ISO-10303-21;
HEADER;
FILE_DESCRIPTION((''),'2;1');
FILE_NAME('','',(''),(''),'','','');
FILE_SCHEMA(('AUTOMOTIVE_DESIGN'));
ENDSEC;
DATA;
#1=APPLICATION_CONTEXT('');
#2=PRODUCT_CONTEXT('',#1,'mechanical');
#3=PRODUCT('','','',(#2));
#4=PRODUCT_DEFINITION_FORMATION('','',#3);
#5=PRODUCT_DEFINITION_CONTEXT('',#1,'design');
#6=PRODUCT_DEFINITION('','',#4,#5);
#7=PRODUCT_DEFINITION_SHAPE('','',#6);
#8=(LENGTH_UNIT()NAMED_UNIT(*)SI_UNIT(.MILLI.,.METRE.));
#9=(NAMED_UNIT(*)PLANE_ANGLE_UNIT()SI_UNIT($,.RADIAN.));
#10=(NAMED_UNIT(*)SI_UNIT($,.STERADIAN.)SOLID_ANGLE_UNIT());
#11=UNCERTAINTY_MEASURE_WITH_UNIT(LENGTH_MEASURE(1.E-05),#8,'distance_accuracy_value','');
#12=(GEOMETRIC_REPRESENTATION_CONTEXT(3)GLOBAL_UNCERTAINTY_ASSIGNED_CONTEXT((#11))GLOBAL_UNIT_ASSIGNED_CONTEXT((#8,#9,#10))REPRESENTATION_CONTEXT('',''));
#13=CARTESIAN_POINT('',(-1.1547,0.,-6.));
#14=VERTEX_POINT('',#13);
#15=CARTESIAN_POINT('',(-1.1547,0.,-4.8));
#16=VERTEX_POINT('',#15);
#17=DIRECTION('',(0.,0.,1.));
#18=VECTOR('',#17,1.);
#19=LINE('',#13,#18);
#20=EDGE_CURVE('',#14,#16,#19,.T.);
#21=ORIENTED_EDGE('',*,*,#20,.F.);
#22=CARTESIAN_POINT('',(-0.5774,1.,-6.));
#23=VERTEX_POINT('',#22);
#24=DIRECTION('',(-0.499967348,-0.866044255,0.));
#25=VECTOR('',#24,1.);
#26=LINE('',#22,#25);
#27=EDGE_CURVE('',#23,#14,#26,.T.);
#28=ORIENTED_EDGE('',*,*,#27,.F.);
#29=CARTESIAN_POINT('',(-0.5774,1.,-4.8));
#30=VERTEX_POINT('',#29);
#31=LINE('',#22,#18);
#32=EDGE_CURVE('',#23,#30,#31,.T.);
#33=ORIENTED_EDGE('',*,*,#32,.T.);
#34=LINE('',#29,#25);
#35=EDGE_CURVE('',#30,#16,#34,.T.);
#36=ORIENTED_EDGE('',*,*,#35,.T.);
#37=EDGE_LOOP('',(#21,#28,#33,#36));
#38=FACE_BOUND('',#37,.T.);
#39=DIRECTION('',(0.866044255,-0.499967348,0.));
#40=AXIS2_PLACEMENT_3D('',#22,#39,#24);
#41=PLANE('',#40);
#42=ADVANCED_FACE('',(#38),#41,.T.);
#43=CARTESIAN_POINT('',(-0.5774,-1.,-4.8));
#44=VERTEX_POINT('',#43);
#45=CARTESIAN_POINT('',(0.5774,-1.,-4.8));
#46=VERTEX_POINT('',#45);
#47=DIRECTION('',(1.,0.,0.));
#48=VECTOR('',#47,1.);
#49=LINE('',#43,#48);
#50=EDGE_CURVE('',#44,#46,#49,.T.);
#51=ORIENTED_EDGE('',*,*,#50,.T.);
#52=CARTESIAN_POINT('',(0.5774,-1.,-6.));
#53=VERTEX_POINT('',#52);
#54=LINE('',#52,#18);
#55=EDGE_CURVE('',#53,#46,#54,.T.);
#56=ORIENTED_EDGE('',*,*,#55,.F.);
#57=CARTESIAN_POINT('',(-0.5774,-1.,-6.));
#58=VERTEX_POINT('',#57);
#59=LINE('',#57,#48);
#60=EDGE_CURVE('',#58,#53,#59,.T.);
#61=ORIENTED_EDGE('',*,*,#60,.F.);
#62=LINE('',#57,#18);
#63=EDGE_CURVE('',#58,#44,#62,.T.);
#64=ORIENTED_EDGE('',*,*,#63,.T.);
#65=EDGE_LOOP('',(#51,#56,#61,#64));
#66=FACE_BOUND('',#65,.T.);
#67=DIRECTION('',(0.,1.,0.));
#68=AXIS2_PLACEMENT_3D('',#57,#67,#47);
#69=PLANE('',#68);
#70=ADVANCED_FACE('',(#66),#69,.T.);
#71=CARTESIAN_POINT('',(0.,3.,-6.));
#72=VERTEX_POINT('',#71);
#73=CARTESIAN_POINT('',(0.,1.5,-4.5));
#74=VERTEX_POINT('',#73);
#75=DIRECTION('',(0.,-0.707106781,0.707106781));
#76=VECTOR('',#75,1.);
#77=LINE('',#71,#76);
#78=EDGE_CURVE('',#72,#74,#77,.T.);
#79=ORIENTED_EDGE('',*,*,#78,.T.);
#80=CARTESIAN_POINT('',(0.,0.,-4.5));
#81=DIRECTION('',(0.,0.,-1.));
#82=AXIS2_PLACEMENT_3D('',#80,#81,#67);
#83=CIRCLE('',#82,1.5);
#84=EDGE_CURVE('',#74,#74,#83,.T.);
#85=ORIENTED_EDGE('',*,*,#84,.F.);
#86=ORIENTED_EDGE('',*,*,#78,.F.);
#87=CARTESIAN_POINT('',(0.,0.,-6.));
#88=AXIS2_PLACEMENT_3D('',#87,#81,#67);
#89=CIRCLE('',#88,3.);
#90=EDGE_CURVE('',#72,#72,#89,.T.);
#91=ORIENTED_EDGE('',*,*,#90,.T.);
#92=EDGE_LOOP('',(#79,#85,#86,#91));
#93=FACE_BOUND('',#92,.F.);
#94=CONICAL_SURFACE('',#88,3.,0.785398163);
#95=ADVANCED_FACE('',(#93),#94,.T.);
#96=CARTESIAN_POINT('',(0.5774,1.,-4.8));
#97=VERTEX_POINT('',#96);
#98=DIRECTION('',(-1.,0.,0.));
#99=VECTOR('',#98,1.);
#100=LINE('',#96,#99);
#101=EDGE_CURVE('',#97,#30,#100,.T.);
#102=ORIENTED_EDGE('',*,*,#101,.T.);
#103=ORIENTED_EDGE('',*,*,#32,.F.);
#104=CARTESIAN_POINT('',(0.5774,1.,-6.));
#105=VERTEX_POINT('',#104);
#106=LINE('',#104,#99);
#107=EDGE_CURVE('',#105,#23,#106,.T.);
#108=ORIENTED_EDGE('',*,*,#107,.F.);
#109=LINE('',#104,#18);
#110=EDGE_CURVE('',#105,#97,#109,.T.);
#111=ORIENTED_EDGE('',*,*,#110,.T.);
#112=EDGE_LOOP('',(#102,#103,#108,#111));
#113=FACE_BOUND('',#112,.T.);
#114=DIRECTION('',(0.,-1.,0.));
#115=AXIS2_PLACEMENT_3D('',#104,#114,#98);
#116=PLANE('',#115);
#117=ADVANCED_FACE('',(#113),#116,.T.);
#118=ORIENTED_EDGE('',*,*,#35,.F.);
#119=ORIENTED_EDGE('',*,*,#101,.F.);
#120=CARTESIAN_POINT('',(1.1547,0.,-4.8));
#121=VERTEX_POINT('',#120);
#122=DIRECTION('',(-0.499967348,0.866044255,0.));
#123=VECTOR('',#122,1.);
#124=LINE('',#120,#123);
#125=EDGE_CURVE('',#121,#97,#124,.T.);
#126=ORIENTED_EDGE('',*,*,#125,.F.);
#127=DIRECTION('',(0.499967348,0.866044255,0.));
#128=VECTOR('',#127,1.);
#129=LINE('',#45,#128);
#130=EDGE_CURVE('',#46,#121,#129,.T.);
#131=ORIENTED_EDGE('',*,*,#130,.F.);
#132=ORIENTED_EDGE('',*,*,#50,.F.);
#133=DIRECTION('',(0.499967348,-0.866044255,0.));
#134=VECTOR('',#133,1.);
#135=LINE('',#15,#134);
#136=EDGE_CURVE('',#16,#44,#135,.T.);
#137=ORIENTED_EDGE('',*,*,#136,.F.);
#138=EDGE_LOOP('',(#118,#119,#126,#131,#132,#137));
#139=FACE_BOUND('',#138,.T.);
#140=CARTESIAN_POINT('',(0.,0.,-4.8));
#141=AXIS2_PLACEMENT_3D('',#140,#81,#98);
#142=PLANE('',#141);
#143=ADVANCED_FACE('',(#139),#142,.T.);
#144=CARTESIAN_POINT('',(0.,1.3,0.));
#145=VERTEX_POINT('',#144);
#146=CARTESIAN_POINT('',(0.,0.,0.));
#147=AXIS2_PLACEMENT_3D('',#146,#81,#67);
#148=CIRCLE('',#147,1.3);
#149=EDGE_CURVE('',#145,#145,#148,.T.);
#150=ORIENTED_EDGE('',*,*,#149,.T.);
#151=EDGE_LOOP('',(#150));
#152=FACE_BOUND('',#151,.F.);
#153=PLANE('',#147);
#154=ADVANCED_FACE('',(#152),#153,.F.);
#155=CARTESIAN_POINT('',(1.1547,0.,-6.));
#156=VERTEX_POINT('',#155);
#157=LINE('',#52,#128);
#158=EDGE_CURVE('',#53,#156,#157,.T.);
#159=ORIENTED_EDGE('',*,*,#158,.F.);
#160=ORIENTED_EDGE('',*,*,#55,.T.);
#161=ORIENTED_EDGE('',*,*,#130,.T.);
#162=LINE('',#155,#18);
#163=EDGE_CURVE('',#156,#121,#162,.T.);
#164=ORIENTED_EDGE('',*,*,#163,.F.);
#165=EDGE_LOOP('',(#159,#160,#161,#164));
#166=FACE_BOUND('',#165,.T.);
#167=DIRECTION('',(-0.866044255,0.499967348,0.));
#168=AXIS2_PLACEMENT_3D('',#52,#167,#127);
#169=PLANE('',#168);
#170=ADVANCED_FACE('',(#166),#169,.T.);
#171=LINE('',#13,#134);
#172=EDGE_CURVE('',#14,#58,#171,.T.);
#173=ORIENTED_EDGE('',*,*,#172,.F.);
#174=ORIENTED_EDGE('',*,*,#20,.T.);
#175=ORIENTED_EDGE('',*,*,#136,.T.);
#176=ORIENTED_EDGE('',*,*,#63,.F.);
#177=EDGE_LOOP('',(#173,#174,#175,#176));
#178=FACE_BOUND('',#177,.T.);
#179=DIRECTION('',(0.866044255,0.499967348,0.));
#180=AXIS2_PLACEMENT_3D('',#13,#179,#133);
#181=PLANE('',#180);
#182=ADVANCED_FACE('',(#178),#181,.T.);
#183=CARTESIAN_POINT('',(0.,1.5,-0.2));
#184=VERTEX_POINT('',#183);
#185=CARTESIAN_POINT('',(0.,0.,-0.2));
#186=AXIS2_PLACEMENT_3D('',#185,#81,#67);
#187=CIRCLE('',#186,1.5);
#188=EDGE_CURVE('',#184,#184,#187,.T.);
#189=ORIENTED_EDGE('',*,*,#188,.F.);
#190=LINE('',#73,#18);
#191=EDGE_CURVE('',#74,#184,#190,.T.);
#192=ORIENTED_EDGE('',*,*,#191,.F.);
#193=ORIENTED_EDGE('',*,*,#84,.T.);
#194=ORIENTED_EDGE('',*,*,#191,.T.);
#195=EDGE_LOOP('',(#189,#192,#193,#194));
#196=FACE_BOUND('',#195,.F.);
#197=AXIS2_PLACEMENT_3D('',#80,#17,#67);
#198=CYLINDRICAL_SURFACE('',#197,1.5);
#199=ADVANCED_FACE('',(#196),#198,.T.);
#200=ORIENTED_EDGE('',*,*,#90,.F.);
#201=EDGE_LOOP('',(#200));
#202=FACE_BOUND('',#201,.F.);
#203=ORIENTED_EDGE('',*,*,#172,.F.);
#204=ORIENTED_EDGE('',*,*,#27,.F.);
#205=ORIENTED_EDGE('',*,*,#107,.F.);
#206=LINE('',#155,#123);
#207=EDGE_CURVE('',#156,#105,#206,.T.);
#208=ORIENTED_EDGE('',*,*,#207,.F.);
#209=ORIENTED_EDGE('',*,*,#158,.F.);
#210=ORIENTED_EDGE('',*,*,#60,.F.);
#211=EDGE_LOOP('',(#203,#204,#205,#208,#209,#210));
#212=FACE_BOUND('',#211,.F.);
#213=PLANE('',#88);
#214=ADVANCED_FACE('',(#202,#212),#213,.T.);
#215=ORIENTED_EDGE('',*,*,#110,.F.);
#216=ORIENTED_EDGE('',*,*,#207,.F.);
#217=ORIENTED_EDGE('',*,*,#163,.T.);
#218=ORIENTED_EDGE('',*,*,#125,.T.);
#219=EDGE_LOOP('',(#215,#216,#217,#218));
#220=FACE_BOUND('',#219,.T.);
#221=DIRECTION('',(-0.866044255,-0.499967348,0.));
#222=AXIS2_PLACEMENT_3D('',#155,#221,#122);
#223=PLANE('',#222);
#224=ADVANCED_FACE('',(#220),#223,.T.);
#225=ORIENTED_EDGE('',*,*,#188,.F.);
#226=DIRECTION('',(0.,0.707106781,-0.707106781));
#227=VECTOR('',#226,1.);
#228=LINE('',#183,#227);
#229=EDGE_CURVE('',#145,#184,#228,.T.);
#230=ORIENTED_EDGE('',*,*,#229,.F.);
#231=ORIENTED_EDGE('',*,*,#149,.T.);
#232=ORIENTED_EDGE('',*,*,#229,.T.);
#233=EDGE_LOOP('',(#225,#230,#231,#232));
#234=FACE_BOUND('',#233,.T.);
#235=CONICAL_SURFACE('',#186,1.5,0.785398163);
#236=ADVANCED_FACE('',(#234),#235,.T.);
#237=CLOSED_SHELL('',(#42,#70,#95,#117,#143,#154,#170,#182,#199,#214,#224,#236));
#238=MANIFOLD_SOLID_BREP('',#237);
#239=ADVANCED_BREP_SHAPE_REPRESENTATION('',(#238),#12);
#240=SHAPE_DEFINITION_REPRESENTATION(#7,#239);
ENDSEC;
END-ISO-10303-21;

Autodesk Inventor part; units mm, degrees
ref_plane "YZ Plane" through (0, 0, 0) normal (1, 0, 0) x (0, 1, 0)
ref_plane "XZ Plane" through (0, 0, 0) normal (0, 1, 0) x (-1, 0, 0)
ref_plane "XY Plane" through (0, 0, 0) normal (0, 0, 1) x (1, 0, 0)
sketch "Sketch4" plane through (0, 0, 0) normal (1, 0, 0) x (0, 1, 0)
  line L0 (0, 0) -> (0, -6)
  line L1 (0, -6) -> (3, -6)
  line L2 (3, -6) -> (1.5, -4.5)
  line L3 (1.5, -4.5) -> (1.5, 0)
  line L4 (1.5, 0) -> (0, 0)
  dimension "d11" = 6
  dimension "d12" = 3
  dimension "d15" = 6
  dimension "d16" = 45
revolve "Revolution1" add sketch "Sketch4" angle 360 about axis through (0, 0, 0) along (0, 0, -1)
sketch "Sketch5" plane through (0, 0, -6) normal (0, 0, -1) x (-1, 0, 0)
  line L0 (1.1547, 0) -> (0.5774, -1)
  line L1 (0.5774, -1) -> (-0.5774, -1)
  line L2 (-0.5774, -1) -> (-1.1547, 0)
  line L3 (-1.1547, 0) -> (-0.5774, 1)
  line L4 (-0.5774, 1) -> (0.5774, 1)
  line L5 (0.5774, 1) -> (1.1547, 0)
  point P0 (0, 0)
  point P1 (0, 0)
  dimension "d18" = 2
extrude "Extrusion5" cut sketch "Sketch5" against normal blind 1.2
chamfer "Chamfer2" distance 0.2 angle 45 1 edges at (0, -1.5, 0)
thread "Thread1" size "M3x0.5" class "6g" standard "ANSI Metric M Profile" full length
properties part number "M3 x 6 mm FHCS" material "Stainless Steel"
